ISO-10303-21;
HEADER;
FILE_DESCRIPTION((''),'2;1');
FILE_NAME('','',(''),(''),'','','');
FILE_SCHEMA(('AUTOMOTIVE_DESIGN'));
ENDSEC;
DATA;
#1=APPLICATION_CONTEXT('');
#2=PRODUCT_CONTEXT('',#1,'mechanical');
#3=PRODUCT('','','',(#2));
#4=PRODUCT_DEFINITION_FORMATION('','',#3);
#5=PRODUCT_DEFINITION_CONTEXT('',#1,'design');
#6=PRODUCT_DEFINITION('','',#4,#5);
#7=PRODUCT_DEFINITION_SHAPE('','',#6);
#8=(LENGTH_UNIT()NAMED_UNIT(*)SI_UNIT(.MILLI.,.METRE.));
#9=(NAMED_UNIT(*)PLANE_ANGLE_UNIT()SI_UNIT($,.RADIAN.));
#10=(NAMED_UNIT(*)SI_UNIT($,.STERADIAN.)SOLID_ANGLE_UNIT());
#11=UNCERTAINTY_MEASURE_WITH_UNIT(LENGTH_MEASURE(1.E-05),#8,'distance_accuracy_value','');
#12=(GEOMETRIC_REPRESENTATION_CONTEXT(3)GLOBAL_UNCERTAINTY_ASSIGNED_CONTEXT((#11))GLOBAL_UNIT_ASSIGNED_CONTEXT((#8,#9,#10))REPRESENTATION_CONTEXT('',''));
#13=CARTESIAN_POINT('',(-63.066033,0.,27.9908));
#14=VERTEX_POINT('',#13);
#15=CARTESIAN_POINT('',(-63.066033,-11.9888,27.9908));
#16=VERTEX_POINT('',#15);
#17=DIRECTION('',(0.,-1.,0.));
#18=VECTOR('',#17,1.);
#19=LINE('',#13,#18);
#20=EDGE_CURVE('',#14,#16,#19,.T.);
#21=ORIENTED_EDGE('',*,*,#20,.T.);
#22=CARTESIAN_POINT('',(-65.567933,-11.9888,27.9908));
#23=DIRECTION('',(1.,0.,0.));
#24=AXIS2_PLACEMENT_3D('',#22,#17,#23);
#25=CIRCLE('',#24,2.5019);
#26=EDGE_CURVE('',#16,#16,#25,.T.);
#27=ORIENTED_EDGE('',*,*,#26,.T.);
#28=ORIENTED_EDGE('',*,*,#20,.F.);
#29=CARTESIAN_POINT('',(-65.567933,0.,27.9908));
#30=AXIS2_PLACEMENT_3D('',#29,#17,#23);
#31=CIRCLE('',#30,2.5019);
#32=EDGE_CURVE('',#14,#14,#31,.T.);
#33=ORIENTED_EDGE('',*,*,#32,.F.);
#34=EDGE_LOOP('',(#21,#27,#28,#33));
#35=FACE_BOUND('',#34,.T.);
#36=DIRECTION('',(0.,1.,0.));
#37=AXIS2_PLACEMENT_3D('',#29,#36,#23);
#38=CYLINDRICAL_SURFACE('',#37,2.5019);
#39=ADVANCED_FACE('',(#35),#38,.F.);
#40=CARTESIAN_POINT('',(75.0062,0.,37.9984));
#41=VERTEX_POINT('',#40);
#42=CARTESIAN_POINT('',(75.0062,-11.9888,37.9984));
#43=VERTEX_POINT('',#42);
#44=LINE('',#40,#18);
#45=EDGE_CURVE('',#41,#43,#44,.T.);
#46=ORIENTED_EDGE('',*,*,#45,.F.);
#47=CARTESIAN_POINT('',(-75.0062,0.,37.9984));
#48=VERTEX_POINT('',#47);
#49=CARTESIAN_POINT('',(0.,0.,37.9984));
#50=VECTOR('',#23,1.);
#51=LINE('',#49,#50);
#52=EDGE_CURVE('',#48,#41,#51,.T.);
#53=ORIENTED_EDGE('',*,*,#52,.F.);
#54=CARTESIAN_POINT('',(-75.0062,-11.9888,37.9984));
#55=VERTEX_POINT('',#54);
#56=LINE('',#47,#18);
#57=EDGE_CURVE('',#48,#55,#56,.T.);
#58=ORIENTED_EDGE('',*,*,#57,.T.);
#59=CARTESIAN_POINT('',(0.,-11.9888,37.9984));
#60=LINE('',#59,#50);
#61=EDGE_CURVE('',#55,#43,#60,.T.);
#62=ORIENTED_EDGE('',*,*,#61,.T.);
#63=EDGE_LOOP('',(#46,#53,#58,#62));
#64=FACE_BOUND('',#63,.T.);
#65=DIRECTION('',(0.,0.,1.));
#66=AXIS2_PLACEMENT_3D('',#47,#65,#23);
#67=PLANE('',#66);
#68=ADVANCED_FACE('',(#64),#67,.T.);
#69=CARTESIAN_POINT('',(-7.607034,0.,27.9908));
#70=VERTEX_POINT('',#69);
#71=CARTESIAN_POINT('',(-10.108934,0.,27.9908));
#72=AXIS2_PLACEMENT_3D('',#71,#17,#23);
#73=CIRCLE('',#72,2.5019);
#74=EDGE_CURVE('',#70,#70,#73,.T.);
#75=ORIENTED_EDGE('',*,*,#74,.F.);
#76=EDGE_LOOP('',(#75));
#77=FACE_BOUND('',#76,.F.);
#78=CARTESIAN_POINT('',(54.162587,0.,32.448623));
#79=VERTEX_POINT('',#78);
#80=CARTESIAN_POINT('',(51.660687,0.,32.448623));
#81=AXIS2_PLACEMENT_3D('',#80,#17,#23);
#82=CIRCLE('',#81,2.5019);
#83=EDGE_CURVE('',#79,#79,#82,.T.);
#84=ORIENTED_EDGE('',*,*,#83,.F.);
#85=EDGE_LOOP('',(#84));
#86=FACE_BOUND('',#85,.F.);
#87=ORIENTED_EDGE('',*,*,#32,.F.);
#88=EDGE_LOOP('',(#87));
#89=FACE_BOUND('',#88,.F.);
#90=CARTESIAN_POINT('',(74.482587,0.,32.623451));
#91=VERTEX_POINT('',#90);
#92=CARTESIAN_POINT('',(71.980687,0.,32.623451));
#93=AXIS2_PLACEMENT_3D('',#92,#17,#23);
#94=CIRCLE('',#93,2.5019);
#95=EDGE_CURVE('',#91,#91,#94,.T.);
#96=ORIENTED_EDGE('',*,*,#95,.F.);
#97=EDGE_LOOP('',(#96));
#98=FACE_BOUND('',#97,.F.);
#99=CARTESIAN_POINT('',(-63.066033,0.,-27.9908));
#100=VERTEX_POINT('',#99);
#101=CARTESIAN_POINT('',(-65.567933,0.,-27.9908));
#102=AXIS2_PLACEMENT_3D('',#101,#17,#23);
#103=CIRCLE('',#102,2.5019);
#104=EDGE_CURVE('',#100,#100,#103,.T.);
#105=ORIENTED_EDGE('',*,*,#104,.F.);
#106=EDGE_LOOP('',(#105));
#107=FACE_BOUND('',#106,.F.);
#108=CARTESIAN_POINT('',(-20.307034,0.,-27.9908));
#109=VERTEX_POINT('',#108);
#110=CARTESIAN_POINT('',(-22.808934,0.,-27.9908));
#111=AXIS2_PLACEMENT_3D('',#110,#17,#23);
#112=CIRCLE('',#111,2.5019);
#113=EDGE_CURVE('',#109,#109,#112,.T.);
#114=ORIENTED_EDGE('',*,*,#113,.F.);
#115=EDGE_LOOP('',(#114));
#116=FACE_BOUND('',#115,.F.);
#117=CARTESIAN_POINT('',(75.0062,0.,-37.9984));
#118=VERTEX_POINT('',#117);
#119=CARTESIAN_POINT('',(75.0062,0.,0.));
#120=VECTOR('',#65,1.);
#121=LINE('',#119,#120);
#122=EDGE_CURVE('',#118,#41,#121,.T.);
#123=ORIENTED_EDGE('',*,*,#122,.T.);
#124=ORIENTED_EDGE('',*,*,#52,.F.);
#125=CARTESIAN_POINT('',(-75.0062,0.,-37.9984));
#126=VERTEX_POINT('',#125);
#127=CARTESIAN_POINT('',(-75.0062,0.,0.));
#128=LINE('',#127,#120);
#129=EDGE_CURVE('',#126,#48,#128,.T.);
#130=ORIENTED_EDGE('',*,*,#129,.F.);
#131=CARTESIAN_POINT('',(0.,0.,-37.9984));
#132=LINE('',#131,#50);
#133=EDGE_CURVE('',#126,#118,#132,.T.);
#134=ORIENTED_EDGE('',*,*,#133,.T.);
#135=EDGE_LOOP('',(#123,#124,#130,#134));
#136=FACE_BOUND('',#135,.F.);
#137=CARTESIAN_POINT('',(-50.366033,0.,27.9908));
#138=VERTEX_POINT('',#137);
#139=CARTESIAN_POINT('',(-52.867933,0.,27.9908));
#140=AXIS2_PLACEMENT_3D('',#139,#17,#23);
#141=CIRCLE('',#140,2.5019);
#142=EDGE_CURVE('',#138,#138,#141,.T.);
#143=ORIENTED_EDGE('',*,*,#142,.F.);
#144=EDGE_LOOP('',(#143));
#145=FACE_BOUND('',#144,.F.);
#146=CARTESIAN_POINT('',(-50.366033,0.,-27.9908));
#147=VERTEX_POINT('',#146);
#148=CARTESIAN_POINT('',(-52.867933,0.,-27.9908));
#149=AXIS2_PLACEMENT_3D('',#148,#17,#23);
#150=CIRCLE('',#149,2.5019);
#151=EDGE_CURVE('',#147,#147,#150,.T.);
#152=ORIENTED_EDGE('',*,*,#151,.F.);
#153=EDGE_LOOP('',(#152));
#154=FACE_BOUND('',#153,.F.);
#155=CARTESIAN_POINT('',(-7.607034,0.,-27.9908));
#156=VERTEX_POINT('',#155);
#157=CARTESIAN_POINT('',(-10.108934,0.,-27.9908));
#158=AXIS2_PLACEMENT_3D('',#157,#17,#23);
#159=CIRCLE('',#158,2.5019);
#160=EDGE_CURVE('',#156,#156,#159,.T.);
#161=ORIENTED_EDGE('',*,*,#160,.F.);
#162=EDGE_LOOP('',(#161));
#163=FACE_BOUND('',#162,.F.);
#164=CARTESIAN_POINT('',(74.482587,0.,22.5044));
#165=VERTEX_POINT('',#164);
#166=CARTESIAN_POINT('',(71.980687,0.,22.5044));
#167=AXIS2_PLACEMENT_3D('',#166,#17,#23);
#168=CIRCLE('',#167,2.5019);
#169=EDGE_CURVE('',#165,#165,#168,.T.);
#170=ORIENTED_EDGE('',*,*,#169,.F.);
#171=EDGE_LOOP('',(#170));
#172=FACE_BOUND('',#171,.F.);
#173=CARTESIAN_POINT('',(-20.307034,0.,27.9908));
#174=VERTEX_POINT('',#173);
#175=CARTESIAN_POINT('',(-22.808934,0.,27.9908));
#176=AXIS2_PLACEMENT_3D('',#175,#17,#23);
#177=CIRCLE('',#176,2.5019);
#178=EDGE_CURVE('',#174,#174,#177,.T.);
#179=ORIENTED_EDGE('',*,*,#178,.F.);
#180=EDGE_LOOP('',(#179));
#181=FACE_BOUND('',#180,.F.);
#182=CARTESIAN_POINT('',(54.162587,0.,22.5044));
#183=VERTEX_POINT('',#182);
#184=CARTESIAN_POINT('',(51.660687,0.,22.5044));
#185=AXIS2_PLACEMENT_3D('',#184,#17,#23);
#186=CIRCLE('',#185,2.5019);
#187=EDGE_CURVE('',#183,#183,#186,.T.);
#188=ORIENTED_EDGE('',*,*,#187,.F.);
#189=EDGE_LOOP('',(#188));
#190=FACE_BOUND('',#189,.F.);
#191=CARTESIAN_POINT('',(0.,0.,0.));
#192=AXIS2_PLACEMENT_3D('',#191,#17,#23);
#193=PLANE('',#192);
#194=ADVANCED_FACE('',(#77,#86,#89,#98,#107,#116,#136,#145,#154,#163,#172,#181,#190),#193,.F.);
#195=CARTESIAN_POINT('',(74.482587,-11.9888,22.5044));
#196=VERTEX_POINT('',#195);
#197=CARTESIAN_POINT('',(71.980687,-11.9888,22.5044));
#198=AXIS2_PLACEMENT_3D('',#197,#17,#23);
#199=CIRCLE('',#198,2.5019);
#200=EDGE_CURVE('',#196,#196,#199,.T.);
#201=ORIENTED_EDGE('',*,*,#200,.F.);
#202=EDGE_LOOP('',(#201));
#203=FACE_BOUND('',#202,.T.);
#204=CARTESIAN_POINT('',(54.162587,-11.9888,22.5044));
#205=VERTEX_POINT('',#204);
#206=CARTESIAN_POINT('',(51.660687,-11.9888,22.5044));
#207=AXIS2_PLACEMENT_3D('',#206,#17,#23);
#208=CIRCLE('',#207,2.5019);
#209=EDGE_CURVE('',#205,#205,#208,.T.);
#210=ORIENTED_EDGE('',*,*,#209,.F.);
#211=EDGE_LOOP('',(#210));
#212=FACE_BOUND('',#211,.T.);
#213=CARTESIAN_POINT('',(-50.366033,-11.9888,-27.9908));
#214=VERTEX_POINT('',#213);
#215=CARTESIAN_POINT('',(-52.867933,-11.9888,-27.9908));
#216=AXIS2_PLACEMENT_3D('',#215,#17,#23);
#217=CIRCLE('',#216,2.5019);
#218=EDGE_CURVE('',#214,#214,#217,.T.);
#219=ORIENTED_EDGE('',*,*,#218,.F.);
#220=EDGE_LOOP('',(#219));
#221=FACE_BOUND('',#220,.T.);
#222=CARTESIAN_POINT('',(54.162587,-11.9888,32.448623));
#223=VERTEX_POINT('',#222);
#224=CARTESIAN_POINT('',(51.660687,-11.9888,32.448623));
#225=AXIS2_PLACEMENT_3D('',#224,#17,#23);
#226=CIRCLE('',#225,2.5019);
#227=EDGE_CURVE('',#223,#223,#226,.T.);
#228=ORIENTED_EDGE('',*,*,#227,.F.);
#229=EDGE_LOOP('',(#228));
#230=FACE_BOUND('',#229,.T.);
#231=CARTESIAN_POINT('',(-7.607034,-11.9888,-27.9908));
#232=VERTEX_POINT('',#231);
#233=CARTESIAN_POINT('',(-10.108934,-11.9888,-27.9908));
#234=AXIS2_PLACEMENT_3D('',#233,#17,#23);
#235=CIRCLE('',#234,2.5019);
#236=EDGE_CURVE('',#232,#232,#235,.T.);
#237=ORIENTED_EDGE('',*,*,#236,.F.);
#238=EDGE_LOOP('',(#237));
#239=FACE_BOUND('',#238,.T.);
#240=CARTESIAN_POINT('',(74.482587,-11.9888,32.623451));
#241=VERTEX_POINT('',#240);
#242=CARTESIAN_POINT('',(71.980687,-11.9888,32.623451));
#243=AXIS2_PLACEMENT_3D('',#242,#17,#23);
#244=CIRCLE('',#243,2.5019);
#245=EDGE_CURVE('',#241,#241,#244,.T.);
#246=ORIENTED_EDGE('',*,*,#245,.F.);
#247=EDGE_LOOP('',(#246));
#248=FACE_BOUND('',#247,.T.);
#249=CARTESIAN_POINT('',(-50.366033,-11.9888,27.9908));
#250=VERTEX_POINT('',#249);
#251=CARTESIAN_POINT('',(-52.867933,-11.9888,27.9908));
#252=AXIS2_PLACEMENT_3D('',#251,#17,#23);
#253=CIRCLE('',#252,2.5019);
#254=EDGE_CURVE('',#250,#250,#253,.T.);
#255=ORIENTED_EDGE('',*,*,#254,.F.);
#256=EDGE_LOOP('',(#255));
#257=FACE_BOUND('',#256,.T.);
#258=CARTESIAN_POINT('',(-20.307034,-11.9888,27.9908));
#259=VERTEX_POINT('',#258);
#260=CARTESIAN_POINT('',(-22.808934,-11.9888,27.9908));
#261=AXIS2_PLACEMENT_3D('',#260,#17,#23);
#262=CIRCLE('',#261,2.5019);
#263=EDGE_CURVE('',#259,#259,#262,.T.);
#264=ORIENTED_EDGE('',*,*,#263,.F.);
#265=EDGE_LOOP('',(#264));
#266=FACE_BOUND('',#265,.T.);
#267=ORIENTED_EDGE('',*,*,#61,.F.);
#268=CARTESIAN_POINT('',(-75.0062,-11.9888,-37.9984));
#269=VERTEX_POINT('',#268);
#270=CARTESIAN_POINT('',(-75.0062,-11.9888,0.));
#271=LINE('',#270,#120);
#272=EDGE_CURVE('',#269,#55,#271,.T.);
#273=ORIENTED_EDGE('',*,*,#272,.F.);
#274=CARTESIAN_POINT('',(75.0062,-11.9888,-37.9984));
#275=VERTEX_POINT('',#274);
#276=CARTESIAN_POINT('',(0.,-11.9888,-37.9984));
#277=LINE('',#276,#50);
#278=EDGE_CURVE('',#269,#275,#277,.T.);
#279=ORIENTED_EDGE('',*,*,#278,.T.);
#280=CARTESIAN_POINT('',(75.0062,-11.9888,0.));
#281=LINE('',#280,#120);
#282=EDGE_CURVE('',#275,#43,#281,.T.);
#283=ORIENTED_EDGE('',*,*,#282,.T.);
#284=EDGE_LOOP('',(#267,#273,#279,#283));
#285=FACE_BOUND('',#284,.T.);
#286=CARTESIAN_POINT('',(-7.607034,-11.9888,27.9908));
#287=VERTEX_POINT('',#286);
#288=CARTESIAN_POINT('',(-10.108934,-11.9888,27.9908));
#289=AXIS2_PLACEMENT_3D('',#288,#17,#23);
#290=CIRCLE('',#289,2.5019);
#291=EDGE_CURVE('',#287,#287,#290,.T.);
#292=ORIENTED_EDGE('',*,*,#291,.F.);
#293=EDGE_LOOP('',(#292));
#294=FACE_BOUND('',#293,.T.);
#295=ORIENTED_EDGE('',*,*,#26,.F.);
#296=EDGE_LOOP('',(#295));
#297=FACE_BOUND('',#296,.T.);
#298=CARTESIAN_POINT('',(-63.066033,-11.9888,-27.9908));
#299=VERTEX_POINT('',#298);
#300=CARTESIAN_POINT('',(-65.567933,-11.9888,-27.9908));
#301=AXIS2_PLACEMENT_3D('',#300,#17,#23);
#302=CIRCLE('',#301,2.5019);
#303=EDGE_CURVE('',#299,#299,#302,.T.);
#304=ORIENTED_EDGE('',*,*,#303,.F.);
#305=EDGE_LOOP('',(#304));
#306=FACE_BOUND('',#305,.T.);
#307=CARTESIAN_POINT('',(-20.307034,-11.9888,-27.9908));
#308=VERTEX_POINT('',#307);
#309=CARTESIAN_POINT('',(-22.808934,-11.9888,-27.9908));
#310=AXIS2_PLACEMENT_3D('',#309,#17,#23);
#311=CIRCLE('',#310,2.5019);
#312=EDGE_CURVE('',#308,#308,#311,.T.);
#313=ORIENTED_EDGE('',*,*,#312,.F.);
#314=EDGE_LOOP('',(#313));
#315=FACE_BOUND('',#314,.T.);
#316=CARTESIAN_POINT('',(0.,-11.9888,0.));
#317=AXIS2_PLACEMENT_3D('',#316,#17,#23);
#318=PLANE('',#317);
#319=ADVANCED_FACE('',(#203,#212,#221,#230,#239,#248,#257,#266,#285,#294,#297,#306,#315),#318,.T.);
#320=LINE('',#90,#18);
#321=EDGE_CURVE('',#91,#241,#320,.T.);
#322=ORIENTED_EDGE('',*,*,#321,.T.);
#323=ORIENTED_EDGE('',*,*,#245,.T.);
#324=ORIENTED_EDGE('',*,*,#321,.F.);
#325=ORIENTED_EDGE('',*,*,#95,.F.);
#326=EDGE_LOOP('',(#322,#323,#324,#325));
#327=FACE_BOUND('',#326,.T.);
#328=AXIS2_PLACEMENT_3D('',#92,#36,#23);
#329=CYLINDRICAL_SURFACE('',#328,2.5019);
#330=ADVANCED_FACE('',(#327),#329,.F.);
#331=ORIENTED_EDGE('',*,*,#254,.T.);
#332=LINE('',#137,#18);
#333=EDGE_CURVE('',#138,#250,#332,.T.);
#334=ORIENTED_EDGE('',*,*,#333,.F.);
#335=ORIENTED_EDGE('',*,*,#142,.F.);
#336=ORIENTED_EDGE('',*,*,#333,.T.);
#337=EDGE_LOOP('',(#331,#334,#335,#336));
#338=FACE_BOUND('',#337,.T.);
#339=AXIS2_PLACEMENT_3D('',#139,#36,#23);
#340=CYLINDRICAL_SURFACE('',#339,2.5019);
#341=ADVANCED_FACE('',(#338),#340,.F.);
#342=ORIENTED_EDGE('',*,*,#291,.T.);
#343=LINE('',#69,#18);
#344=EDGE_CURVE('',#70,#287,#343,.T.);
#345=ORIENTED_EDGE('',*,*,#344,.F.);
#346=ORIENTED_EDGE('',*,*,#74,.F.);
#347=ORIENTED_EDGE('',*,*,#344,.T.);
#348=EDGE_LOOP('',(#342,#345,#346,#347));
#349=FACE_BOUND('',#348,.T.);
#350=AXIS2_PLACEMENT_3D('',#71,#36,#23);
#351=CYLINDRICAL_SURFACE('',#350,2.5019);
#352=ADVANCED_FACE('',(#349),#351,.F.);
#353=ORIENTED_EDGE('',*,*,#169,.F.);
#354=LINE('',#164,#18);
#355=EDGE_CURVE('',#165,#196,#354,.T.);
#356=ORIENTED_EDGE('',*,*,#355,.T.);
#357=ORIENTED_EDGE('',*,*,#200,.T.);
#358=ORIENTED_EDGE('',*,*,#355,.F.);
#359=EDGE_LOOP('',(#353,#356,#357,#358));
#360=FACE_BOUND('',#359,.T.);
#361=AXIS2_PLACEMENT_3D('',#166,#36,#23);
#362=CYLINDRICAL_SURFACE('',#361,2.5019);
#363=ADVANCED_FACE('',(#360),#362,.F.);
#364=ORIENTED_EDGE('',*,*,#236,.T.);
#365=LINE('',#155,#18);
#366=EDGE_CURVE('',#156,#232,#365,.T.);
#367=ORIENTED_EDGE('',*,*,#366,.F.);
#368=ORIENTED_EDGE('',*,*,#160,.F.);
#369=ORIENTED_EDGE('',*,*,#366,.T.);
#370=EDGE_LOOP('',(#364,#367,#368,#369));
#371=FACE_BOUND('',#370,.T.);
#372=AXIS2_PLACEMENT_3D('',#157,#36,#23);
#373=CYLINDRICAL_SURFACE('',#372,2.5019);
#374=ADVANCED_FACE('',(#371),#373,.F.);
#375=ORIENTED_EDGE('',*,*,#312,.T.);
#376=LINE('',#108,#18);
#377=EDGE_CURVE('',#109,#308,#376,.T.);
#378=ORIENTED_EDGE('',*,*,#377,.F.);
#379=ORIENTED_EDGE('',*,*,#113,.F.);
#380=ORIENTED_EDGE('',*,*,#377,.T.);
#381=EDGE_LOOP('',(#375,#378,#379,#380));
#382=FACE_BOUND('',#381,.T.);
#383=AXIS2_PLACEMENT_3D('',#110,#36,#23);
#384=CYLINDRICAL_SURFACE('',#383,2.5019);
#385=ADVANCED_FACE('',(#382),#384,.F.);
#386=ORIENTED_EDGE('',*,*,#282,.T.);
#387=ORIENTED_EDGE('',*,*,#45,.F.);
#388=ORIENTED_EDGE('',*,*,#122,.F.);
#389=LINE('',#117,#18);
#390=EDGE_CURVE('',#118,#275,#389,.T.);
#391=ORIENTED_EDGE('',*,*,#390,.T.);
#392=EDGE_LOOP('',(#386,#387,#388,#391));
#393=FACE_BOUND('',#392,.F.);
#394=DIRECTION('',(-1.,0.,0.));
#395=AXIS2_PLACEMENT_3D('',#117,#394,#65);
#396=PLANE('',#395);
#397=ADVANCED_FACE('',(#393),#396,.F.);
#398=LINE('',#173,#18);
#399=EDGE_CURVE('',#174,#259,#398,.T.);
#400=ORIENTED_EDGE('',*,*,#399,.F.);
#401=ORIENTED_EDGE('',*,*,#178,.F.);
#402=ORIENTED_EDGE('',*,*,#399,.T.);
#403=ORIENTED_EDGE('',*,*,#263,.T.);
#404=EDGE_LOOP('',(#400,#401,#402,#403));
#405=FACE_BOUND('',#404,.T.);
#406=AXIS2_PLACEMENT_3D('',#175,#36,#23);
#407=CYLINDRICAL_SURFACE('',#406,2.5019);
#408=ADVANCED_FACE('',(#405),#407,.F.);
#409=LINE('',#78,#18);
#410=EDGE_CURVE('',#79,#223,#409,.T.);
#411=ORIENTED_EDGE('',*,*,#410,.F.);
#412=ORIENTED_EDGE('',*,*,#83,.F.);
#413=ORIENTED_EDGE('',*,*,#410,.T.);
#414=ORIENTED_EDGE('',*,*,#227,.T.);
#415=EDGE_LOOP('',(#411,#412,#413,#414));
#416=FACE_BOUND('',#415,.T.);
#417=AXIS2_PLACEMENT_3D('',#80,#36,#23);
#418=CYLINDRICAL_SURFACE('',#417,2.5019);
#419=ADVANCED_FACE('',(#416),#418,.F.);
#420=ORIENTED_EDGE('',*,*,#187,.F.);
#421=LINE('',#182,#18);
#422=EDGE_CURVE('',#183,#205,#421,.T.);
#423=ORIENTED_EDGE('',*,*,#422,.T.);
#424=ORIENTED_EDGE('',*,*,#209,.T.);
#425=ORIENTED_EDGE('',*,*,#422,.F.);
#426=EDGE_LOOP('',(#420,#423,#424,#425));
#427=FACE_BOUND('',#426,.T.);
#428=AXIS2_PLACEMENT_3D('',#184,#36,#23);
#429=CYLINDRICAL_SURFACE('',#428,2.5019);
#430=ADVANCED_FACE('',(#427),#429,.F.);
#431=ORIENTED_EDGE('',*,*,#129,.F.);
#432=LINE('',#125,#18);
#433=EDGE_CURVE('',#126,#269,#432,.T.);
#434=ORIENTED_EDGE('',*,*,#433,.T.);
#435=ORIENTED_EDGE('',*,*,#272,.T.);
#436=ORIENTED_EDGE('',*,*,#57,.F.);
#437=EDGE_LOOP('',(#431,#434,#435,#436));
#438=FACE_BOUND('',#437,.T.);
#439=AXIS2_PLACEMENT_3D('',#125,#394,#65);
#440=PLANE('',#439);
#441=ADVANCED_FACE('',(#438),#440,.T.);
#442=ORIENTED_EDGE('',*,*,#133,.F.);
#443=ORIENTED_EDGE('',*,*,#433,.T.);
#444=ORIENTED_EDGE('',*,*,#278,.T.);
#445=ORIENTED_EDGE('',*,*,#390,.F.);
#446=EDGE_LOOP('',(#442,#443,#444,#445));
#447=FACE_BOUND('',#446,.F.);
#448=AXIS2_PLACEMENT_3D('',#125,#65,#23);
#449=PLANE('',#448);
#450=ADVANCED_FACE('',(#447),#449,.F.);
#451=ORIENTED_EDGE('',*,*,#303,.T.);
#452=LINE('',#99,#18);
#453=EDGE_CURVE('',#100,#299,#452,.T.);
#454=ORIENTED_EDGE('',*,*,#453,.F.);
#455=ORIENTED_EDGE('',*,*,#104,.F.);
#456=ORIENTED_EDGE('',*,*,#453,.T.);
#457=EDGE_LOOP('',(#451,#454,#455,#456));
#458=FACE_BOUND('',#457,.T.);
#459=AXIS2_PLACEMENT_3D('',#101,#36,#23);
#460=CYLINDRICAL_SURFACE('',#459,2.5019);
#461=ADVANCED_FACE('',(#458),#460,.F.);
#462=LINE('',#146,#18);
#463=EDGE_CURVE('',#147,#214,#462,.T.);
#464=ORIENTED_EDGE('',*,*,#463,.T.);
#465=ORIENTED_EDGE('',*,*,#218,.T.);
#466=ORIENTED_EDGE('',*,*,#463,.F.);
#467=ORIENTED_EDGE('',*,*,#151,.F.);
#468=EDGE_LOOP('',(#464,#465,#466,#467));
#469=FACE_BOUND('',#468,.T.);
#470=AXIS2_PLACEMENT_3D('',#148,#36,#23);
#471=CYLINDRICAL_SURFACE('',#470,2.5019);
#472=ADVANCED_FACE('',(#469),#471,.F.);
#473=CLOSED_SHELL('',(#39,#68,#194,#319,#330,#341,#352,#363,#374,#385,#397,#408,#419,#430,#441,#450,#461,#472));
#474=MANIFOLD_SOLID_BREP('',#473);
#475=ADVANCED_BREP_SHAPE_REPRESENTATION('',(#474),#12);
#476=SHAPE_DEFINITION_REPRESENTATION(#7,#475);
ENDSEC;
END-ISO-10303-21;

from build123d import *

# Parameters (mm, degrees)
F0_W     = 150.0124
F0_H     = 75.9968
F0_R     = 2.5019
F1_DEPTH = 11.9888


with BuildPart() as f1:
    # F0 (on Front) → F1 (new body)
    with BuildSketch(Plane.XZ):
        Rectangle(F0_W, F0_H)
        with Locations((-65.567933, -27.9908)):
            Circle(F0_R, mode=Mode.SUBTRACT)
        with Locations((-52.867933, -27.9908)):
            Circle(F0_R, mode=Mode.SUBTRACT)
        with Locations((-22.808934, -27.9908)):
            Circle(F0_R, mode=Mode.SUBTRACT)
        with Locations((-10.108934, -27.9908)):
            Circle(F0_R, mode=Mode.SUBTRACT)
        with Locations((-65.567933, 27.9908)):
            Circle(F0_R, mode=Mode.SUBTRACT)
        with Locations((-52.867933, 27.9908)):
            Circle(F0_R, mode=Mode.SUBTRACT)
        with Locations((-22.808934, 27.9908)):
            Circle(F0_R, mode=Mode.SUBTRACT)
        with Locations((-10.108934, 27.9908)):
            Circle(F0_R, mode=Mode.SUBTRACT)
        with Locations((51.660687, 22.5044)):
            Circle(F0_R, mode=Mode.SUBTRACT)
        with Locations((71.980687, 22.5044)):
            Circle(F0_R, mode=Mode.SUBTRACT)
        with Locations((51.660687, 32.448623)):
            Circle(F0_R, mode=Mode.SUBTRACT)
        with Locations((71.980687, 32.623451)):
            Circle(F0_R, mode=Mode.SUBTRACT)
    extrude(amount=F1_DEPTH)


solid = f1.part
